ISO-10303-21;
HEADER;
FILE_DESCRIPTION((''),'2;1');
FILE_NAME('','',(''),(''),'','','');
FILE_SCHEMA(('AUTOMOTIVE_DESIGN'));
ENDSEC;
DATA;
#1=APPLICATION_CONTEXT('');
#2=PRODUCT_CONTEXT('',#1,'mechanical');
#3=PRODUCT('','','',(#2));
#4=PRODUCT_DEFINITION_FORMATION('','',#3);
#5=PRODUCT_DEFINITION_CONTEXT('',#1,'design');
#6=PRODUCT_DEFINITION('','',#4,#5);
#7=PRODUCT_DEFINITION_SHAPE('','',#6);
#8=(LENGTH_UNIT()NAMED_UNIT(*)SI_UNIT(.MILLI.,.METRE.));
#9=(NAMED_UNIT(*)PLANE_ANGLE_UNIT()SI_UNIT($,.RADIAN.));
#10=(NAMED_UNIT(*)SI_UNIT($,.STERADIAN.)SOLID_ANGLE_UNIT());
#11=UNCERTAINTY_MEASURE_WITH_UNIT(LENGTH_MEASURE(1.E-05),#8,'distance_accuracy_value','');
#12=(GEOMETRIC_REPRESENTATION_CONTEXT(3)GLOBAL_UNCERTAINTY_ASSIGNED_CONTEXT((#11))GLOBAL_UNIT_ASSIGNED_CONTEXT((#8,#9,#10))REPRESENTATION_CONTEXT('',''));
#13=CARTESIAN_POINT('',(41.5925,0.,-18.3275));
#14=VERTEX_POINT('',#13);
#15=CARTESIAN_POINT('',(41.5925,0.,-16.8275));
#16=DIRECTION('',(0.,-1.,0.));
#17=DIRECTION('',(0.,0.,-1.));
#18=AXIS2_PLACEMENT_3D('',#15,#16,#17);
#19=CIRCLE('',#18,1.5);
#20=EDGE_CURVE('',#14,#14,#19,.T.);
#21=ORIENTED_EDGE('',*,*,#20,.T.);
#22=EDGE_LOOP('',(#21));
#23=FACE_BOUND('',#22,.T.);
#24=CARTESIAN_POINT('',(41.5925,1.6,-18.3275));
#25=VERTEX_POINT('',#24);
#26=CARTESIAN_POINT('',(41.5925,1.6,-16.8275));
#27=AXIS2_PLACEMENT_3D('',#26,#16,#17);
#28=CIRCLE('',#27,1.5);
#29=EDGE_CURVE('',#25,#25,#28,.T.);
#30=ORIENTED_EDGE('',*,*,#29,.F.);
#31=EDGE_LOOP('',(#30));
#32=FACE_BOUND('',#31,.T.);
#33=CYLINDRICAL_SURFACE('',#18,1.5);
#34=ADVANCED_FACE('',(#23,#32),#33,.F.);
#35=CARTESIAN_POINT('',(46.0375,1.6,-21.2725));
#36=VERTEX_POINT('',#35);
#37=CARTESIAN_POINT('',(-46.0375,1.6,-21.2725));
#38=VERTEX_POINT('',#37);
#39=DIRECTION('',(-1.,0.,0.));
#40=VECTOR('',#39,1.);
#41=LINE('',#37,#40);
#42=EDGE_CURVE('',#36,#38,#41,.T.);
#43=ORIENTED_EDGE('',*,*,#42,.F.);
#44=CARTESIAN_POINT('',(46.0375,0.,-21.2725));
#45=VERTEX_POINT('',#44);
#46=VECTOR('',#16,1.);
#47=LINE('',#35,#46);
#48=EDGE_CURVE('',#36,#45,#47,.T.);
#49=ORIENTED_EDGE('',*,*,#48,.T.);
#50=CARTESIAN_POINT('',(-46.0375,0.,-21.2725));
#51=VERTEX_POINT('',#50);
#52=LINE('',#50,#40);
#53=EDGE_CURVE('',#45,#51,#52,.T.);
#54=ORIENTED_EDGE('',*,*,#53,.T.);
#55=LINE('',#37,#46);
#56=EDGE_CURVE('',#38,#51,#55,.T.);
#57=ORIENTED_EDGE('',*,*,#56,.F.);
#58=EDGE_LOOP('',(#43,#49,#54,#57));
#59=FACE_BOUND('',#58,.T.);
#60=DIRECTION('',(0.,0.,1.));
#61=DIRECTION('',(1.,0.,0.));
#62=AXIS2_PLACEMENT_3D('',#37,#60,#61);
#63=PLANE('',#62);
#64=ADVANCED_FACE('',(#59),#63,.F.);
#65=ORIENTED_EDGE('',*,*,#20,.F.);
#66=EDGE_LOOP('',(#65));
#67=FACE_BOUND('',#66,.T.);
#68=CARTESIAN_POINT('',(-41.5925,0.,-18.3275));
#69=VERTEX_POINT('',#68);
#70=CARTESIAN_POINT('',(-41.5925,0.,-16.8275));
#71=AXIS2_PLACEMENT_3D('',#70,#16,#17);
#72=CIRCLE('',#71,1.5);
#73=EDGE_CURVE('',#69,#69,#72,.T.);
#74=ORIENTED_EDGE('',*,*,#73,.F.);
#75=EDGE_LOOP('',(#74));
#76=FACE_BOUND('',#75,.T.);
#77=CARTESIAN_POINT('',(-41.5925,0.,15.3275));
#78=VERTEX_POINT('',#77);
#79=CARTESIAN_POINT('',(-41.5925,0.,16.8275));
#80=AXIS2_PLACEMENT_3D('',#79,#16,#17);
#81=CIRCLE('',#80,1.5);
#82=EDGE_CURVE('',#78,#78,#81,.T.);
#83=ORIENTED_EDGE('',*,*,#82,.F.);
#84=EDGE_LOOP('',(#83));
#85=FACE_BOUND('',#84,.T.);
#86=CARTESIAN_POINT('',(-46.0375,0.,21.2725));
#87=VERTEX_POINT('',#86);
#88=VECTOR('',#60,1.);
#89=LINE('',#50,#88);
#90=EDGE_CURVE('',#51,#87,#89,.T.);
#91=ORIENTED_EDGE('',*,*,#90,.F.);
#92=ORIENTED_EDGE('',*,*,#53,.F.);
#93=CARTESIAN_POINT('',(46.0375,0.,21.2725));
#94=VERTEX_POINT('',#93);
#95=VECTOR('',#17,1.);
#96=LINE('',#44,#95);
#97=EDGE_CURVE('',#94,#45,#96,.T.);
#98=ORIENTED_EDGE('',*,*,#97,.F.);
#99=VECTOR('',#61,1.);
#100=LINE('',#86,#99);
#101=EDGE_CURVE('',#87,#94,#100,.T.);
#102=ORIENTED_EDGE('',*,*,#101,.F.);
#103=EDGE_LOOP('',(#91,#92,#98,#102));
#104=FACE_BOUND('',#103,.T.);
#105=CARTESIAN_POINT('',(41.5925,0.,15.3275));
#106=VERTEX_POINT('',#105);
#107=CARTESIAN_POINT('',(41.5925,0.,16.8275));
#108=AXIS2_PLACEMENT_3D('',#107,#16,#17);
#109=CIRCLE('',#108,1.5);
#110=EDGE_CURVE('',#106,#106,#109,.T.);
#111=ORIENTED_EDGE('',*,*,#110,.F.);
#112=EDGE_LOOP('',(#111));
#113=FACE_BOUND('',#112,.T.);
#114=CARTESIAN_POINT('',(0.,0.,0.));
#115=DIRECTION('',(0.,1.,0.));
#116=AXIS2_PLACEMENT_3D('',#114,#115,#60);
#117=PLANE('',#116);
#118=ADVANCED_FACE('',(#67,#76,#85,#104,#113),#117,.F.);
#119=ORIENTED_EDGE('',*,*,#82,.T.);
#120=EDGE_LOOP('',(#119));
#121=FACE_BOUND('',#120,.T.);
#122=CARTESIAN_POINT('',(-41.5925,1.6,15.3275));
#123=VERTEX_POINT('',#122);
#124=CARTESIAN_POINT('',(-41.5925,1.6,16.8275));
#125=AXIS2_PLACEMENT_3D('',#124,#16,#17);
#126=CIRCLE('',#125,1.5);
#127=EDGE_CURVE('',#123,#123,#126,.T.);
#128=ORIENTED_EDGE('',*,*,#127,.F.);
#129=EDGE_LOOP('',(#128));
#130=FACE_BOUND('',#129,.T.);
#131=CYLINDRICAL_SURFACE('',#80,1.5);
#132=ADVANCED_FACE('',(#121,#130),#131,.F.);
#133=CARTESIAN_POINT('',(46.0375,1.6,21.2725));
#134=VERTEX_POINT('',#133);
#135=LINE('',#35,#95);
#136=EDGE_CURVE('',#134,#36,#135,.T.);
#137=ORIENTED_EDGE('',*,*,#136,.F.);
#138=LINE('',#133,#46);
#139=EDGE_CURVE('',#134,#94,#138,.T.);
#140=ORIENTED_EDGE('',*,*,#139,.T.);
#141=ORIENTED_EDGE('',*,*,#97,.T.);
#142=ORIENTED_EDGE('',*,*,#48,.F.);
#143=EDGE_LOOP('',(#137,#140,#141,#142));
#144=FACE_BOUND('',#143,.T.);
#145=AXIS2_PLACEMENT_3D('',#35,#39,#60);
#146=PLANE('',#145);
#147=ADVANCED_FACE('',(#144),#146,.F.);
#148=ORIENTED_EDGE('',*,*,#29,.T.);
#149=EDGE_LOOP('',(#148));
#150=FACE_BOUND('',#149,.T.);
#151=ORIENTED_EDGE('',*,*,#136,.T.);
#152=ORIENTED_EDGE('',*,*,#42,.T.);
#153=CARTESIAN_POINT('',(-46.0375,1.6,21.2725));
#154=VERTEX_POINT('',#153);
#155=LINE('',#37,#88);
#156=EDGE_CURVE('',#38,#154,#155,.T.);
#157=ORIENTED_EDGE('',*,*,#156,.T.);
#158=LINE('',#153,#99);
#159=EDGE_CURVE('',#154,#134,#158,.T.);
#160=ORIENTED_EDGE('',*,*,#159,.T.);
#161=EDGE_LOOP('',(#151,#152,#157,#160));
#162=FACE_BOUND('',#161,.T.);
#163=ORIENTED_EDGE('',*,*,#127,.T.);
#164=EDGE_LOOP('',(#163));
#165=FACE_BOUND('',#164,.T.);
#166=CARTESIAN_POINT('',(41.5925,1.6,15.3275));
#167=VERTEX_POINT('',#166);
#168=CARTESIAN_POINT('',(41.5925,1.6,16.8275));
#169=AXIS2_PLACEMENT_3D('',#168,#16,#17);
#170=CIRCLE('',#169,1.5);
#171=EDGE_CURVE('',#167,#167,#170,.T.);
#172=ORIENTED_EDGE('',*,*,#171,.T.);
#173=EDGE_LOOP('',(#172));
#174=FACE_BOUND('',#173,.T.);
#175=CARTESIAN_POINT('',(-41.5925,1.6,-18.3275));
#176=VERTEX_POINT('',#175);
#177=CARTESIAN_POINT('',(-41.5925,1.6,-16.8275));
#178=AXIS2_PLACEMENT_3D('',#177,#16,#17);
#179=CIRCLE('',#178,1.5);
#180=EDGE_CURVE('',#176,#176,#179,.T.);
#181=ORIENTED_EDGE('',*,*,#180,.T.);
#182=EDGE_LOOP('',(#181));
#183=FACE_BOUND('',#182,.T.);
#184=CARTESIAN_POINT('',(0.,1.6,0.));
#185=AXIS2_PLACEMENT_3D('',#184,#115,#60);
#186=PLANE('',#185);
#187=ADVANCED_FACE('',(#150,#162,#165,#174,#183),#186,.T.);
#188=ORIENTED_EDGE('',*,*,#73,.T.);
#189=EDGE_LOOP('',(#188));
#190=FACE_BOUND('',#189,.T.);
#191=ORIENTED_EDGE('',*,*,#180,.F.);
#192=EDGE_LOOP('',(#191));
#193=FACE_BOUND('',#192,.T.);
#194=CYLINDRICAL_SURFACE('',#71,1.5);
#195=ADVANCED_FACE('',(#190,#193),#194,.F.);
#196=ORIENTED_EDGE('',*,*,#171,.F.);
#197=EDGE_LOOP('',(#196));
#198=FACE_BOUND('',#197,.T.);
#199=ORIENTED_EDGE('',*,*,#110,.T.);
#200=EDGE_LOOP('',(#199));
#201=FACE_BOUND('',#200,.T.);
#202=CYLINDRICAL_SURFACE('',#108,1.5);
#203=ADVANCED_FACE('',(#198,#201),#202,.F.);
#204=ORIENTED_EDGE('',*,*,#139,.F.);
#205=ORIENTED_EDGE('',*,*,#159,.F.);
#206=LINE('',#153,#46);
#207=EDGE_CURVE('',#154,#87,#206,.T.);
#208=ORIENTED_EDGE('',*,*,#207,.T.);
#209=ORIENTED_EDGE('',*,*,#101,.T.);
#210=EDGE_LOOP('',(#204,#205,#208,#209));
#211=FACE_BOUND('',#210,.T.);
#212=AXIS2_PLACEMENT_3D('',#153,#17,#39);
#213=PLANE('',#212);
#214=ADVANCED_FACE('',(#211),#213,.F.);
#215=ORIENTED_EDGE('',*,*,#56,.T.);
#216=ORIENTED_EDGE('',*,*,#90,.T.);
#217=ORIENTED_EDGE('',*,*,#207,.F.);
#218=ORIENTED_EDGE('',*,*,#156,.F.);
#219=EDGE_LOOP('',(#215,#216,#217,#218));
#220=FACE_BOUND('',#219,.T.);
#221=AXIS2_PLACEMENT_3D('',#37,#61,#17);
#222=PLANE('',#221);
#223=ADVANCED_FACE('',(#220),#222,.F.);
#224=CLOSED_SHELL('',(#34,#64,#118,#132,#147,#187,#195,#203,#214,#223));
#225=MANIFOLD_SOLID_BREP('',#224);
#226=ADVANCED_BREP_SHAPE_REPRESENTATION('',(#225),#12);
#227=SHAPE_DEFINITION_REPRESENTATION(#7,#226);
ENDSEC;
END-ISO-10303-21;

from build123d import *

# Parameters (mm, degrees)
SKETCH2_W             = 92.075
SKETCH2_H             = 42.545
PCBBASE_DEPTH         = 1.6
F_3_0MM_DOWEL_HOLE2_D = 3


with BuildPart() as part:
    # Sketch2 → PCBBase (new body)
    with BuildSketch(Plane(origin=(0, 0, 0), x_dir=(1, 0, 0), z_dir=(0, 1, 0))):
        Rectangle(SKETCH2_W, SKETCH2_H)
    extrude(amount=PCBBASE_DEPTH)

    # Ø3.0mm Dowel Hole2 (through all)
    with Locations(Plane.XZ):
        with Locations((-41.5925, -16.8275), (-41.5925, 16.8275), (41.5925, 16.8275), (41.5925, -16.8275)):
            Hole(F_3_0MM_DOWEL_HOLE2_D / 2)


solid = part.part
